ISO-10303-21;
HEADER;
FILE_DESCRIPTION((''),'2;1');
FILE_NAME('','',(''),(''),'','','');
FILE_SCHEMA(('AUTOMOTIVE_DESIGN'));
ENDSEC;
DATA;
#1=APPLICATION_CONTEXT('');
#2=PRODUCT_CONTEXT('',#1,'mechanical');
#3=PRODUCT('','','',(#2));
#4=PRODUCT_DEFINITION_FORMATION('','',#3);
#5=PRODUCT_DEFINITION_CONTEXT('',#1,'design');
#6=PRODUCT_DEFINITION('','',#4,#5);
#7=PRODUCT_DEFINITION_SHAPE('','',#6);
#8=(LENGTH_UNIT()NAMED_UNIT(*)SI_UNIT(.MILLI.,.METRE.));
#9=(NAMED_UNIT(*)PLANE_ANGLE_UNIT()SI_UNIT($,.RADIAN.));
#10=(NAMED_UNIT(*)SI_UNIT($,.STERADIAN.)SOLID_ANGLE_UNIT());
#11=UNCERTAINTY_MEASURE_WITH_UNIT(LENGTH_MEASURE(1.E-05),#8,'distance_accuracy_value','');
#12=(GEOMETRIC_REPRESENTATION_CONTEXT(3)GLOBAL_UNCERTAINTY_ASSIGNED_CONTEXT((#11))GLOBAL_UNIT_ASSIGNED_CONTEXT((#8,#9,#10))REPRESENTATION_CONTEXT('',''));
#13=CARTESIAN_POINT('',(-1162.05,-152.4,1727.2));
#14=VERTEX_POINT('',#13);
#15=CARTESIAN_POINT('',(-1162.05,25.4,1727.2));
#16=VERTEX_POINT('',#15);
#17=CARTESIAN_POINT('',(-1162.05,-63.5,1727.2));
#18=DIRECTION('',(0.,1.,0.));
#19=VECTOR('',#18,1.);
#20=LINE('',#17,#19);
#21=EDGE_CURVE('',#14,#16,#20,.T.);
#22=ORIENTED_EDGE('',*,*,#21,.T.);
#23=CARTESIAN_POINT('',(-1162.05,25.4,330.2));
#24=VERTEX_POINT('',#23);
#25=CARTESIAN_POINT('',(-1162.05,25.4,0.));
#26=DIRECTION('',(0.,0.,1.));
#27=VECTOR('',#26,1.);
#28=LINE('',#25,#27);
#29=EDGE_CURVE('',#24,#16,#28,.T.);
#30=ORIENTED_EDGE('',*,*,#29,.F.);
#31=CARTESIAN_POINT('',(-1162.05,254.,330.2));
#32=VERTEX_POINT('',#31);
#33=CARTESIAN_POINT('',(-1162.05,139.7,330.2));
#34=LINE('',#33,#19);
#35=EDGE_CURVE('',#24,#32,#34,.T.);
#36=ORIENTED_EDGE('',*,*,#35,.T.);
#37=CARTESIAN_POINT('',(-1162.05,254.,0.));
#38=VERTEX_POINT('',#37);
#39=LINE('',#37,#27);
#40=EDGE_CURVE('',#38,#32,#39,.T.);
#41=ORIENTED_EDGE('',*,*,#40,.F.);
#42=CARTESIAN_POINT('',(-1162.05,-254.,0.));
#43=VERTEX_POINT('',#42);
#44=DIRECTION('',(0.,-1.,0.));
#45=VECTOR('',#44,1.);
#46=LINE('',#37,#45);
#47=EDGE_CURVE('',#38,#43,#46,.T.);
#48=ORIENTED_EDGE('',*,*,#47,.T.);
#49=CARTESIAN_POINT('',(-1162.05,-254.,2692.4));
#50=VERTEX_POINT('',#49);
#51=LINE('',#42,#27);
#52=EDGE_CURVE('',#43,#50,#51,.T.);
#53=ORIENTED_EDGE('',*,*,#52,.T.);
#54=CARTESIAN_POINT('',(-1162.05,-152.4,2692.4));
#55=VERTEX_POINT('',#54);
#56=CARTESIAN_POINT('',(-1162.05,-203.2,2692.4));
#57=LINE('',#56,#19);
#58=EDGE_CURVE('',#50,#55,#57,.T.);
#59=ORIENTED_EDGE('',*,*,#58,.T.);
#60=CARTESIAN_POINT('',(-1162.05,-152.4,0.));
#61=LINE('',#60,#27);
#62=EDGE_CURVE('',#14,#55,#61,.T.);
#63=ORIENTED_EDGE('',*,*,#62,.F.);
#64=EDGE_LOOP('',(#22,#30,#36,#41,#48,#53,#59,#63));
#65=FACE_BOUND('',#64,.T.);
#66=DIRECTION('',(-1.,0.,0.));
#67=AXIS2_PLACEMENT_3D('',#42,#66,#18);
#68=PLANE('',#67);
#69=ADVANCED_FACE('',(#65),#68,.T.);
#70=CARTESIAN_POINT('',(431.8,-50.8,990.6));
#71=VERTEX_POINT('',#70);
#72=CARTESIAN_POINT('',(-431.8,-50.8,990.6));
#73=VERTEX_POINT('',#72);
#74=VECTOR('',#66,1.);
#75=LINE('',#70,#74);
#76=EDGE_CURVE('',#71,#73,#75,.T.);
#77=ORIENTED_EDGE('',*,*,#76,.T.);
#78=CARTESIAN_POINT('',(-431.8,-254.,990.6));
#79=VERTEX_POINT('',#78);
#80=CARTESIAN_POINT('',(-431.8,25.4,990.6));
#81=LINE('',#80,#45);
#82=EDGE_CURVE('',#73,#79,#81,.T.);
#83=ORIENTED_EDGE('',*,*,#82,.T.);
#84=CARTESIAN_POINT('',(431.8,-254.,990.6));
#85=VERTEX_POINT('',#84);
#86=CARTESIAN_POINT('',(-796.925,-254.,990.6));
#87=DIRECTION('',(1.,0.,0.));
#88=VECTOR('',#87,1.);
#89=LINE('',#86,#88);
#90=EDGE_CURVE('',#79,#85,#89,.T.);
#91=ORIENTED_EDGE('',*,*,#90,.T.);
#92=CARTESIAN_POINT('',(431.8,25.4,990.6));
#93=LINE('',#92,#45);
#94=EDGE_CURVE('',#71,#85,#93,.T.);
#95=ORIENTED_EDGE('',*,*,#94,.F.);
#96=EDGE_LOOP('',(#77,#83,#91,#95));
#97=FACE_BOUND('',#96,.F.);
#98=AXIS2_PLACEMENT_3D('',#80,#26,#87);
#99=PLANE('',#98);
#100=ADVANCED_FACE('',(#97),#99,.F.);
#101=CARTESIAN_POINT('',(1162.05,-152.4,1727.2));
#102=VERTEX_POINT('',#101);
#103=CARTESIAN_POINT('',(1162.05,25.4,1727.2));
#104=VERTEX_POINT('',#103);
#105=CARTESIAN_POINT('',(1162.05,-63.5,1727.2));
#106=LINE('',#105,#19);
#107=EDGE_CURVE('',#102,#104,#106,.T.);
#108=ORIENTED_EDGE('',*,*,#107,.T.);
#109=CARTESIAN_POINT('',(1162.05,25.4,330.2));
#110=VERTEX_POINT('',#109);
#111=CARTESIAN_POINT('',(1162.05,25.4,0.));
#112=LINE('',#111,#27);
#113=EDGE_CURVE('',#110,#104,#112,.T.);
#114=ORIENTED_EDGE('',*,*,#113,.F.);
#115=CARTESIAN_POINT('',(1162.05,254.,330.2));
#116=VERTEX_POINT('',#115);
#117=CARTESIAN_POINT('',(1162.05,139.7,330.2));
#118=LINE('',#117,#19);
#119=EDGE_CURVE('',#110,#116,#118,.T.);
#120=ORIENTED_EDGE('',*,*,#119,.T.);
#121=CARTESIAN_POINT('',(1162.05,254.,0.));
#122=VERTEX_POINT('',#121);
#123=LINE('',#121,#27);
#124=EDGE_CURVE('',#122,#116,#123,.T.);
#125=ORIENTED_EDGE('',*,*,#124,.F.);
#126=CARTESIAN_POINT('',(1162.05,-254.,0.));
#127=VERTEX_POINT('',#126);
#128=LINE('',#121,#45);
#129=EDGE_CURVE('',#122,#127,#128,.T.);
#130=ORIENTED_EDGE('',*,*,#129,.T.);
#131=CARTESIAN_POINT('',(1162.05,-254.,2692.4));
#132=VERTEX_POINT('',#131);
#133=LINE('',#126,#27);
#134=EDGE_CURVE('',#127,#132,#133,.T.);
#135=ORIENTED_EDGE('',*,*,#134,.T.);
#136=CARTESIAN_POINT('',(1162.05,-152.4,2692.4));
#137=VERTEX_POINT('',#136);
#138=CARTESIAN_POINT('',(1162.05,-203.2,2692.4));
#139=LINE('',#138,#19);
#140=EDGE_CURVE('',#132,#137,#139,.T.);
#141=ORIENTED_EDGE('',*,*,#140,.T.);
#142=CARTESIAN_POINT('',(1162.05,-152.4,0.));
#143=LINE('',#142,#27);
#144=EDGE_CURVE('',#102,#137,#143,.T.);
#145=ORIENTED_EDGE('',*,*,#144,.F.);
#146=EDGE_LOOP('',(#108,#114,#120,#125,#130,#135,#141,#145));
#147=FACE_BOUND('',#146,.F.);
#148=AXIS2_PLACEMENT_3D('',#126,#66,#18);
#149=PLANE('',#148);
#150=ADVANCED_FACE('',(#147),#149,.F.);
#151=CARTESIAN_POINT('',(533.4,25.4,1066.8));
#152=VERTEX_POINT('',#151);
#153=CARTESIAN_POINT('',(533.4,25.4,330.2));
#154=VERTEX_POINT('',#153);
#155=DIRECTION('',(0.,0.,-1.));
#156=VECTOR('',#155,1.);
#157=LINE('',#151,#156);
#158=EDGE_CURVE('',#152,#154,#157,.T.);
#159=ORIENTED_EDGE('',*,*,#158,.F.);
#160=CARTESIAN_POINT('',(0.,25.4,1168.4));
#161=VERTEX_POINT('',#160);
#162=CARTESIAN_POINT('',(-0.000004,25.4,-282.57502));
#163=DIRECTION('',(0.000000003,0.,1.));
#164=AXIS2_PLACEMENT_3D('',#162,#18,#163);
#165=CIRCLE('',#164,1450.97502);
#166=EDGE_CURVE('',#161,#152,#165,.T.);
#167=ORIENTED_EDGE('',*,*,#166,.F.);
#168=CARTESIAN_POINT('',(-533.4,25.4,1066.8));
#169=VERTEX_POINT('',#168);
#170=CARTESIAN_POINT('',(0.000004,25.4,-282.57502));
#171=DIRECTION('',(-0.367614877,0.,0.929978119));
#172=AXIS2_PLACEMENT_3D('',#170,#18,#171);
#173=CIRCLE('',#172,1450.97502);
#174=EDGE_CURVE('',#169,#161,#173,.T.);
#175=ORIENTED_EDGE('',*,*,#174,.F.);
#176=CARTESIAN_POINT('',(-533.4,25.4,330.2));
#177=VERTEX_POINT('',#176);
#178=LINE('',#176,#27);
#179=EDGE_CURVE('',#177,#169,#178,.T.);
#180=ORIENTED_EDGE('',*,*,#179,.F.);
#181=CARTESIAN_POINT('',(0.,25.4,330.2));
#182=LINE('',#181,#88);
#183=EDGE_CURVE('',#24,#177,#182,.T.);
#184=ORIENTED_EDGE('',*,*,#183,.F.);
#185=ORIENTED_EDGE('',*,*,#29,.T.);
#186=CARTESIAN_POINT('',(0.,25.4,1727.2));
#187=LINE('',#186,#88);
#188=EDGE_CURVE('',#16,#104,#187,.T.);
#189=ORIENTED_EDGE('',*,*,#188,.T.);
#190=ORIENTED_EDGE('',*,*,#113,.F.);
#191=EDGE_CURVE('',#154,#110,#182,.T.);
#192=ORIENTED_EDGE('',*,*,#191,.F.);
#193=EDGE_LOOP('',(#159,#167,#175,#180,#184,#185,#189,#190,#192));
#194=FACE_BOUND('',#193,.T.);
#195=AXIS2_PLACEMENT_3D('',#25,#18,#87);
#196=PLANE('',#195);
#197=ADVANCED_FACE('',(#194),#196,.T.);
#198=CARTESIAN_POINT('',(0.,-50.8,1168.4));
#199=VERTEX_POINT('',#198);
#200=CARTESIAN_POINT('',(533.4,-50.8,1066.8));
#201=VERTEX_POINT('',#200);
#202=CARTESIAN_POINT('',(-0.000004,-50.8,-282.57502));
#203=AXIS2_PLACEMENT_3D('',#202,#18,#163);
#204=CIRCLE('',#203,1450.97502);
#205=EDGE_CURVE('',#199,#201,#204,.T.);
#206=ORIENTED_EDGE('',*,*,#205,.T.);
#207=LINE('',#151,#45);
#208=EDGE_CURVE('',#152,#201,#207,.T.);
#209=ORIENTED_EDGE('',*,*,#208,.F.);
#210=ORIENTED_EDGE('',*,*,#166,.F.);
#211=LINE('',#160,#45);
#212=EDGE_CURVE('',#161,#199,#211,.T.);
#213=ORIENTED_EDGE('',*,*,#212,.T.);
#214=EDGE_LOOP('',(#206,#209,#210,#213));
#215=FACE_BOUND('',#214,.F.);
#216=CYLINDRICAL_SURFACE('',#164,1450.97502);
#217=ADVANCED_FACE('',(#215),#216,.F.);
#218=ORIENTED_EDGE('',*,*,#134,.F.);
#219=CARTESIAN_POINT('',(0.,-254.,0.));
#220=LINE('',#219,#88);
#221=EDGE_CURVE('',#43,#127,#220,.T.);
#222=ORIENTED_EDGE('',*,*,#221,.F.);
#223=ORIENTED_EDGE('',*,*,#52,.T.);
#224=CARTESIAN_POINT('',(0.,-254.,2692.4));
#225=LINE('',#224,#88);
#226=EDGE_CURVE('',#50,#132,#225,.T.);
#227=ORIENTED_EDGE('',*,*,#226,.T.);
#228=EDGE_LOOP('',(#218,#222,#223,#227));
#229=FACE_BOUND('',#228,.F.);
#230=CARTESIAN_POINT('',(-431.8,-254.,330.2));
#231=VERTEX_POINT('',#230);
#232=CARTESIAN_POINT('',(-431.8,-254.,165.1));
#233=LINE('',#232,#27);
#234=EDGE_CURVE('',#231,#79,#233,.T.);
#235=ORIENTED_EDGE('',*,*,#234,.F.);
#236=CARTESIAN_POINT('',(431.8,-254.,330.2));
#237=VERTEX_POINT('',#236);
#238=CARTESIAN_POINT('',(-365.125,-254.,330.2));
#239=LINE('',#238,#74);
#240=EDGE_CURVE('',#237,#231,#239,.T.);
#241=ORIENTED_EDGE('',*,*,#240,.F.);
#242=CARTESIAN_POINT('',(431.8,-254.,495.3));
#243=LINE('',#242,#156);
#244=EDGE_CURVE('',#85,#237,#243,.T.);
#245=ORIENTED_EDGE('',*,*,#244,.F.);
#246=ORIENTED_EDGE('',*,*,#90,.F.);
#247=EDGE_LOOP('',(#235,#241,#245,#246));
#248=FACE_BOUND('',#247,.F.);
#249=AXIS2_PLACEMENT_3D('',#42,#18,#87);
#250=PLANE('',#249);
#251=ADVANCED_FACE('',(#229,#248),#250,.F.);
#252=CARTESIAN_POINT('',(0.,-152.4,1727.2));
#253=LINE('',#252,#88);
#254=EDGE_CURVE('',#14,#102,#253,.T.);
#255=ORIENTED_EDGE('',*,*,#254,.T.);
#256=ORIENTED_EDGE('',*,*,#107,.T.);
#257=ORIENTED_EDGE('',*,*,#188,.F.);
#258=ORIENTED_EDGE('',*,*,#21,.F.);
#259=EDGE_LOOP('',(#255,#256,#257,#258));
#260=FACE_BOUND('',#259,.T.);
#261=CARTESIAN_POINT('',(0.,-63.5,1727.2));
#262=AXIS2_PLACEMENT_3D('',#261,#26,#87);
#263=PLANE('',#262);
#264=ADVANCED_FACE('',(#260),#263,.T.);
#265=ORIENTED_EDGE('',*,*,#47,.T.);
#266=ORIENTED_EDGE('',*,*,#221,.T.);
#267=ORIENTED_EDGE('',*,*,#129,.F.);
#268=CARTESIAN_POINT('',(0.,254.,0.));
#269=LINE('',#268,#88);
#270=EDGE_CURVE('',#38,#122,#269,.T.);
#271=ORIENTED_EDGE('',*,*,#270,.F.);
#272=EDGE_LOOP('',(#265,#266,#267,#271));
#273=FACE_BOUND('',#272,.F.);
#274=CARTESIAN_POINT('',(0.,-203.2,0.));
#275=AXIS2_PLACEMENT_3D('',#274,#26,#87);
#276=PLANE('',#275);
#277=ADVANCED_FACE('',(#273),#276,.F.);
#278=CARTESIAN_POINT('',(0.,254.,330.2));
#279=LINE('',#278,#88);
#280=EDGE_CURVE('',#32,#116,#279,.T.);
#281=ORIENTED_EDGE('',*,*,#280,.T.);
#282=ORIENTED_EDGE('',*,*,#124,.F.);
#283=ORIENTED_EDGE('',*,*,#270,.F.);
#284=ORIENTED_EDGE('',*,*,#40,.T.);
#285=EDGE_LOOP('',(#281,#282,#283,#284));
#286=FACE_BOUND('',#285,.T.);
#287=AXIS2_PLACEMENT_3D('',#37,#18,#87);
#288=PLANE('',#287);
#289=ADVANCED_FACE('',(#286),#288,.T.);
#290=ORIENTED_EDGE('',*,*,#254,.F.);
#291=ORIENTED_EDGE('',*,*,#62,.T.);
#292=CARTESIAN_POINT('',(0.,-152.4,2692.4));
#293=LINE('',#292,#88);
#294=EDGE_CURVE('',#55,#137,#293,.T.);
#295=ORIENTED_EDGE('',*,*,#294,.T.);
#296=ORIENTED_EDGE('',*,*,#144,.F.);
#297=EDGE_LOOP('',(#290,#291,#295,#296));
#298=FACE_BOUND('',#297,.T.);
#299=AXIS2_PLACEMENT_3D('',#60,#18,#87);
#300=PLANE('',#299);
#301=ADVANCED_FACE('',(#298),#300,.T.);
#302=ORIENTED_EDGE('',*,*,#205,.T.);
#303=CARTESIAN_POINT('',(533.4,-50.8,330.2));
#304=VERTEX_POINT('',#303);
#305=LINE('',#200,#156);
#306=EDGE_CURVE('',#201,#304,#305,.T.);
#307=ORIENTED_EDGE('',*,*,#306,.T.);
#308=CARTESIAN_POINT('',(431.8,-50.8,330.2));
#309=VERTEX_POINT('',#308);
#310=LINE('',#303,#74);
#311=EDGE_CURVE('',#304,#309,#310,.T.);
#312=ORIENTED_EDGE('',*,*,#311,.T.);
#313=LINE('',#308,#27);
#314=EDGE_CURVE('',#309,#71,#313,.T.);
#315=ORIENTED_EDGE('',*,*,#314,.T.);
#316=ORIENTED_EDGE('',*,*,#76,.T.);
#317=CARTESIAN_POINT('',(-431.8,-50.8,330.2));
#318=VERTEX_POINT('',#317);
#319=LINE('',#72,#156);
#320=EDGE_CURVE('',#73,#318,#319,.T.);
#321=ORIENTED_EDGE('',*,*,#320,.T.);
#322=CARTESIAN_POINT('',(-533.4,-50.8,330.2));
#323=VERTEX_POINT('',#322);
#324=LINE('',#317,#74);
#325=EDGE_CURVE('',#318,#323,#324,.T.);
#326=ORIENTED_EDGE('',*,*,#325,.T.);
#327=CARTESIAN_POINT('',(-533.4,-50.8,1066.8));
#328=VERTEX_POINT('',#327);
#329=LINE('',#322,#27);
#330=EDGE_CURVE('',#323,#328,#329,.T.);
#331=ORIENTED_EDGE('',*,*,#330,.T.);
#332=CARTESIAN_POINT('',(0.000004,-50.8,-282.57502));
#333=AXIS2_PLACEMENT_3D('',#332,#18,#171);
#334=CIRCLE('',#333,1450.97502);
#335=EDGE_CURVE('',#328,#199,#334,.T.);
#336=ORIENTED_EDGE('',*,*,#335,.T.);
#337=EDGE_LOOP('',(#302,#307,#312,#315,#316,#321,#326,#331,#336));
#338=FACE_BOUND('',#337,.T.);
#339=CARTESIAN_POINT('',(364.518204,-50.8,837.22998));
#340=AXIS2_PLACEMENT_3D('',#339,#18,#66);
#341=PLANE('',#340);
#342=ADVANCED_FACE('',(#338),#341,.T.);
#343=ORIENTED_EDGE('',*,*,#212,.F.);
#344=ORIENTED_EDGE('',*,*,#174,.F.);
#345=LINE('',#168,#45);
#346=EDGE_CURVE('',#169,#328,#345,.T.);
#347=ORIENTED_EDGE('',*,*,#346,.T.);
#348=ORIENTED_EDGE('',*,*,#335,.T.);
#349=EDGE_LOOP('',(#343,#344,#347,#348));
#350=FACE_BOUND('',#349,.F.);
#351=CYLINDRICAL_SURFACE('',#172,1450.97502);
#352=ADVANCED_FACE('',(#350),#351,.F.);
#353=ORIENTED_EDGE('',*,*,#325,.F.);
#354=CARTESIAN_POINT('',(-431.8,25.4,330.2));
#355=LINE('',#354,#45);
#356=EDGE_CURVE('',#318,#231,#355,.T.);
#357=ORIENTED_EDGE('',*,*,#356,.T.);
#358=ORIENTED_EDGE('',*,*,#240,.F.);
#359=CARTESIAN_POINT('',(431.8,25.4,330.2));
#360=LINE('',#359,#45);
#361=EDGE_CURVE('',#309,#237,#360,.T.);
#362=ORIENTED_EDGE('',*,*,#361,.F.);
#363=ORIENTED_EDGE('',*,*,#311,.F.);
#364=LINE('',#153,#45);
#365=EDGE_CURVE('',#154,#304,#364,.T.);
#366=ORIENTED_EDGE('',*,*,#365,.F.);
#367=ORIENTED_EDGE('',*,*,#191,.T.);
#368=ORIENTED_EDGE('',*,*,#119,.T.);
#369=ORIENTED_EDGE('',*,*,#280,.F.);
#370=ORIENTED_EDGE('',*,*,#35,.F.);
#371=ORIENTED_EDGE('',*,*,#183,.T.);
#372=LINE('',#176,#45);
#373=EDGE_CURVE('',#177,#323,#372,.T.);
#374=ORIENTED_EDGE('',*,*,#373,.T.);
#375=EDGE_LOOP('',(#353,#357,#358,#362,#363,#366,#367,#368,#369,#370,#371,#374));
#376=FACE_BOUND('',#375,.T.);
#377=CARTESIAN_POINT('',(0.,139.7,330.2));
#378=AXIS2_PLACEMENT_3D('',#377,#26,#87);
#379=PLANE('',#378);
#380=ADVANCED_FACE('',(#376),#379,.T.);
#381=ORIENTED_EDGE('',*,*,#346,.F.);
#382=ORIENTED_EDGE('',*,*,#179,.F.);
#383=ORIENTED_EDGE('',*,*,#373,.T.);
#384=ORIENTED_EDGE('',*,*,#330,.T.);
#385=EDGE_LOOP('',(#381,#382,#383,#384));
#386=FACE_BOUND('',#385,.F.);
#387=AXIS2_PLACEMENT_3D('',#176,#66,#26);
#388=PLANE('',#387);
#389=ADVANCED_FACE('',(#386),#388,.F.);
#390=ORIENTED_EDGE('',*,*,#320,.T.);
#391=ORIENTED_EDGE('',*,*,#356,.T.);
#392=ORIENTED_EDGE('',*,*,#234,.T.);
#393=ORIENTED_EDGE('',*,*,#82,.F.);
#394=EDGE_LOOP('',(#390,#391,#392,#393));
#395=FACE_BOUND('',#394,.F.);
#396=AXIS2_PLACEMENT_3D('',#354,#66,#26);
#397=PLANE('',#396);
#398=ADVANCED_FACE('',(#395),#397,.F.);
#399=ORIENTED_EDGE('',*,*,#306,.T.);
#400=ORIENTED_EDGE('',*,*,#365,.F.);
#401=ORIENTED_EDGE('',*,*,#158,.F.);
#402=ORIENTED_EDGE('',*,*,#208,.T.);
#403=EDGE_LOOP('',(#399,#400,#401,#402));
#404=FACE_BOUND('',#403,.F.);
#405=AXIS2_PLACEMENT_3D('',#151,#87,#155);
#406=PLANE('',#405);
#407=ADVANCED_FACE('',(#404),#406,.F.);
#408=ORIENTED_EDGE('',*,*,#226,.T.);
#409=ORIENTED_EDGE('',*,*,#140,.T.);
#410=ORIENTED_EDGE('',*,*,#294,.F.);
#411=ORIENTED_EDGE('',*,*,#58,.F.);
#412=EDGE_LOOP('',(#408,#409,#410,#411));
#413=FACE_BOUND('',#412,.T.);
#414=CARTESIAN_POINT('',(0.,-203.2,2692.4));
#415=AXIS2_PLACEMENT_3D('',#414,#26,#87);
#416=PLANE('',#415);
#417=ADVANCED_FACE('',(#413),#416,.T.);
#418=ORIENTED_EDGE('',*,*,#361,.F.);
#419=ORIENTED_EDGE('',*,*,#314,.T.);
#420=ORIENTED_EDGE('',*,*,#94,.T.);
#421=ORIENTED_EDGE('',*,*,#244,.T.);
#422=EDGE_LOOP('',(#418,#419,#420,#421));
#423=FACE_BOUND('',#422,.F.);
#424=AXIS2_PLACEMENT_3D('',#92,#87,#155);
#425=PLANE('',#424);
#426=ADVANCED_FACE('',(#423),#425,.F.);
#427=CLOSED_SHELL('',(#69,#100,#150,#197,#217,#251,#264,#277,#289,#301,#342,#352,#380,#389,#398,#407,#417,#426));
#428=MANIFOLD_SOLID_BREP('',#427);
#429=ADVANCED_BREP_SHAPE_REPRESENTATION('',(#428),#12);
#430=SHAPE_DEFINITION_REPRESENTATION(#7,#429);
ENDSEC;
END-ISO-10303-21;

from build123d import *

# Parameters (mm, degrees)
F0_W     = 2324.1
F0_H     = 228.6
F1_DEPTH = 330.2
F0_H_2   = 177.8
F2_DEPTH = 1727.2
F0_H_3   = 101.6
F3_DEPTH = 2692.4
F5_DEPTH = 546.1
F6_DEPTH = 76.2


with BuildPart() as f1:
    # F0 (on Top) → F1 (new body)
    with BuildSketch(Plane.XY):
        with Locations((0, 139.7)):
            Rectangle(F0_W, F0_H)
    extrude(amount=F1_DEPTH)

    # F0 (on Top) → F2 (join)
    with BuildSketch(Plane.XY):
        with Locations((0, -63.5)):
            Rectangle(F0_W, F0_H_2)
    extrude(amount=F2_DEPTH)

    # F0 (on Top) → F3 (join)
    with BuildSketch(Plane.XY):
        with Locations((0, -203.2)):
            Rectangle(F0_W, F0_H_3)
    extrude(amount=F3_DEPTH)

    # F4 (on face) → F5 (cut)
    with BuildSketch(Plane(origin=(0, 25.4, 0), x_dir=(-1, 0, 0), z_dir=(0, 1, 0))):
        Polygon((-431.8, 990.6), (-431.8, 330.2), (431.8, 330.2), (431.8, 990.6), (0, 990.6), align=None)
    extrude(amount=-F5_DEPTH, mode=Mode.SUBTRACT)

    # F4 (on face) → F6 (cut)
    with BuildSketch(Plane(origin=(0, 25.4, 0), x_dir=(-1, 0, 0), z_dir=(0, 1, 0))):
        with BuildLine():
            Line((-533.4, 990.6), (-533.4, 330.2))
            Line((-533.4, 330.2), (-431.8, 330.2))
            Line((-431.8, 330.2), (-431.8, 990.6))
            Line((-431.8, 990.6), (0, 990.6))
            Line((0, 990.6), (0, 1168.4))
            ThreePointArc((0, 1168.4), (-271.494991, 1142.773701), (-533.4, 1066.8))
            Line((-533.4, 1066.8), (-533.4, 990.6))
        make_face()
        with BuildLine():
            Line((431.8, 990.6), (431.8, 330.2))
            Line((431.8, 330.2), (533.4, 330.2))
            Line((533.4, 330.2), (533.4, 990.6))
            Line((533.4, 990.6), (533.4, 1066.8))
            ThreePointArc((533.4, 1066.8), (271.494991, 1142.773701), (0, 1168.4))
            Line((0, 1168.4), (0, 990.6))
            Line((0, 990.6), (431.8, 990.6))
        make_face()
    extrude(amount=-F6_DEPTH, mode=Mode.SUBTRACT)


solid = f1.part
